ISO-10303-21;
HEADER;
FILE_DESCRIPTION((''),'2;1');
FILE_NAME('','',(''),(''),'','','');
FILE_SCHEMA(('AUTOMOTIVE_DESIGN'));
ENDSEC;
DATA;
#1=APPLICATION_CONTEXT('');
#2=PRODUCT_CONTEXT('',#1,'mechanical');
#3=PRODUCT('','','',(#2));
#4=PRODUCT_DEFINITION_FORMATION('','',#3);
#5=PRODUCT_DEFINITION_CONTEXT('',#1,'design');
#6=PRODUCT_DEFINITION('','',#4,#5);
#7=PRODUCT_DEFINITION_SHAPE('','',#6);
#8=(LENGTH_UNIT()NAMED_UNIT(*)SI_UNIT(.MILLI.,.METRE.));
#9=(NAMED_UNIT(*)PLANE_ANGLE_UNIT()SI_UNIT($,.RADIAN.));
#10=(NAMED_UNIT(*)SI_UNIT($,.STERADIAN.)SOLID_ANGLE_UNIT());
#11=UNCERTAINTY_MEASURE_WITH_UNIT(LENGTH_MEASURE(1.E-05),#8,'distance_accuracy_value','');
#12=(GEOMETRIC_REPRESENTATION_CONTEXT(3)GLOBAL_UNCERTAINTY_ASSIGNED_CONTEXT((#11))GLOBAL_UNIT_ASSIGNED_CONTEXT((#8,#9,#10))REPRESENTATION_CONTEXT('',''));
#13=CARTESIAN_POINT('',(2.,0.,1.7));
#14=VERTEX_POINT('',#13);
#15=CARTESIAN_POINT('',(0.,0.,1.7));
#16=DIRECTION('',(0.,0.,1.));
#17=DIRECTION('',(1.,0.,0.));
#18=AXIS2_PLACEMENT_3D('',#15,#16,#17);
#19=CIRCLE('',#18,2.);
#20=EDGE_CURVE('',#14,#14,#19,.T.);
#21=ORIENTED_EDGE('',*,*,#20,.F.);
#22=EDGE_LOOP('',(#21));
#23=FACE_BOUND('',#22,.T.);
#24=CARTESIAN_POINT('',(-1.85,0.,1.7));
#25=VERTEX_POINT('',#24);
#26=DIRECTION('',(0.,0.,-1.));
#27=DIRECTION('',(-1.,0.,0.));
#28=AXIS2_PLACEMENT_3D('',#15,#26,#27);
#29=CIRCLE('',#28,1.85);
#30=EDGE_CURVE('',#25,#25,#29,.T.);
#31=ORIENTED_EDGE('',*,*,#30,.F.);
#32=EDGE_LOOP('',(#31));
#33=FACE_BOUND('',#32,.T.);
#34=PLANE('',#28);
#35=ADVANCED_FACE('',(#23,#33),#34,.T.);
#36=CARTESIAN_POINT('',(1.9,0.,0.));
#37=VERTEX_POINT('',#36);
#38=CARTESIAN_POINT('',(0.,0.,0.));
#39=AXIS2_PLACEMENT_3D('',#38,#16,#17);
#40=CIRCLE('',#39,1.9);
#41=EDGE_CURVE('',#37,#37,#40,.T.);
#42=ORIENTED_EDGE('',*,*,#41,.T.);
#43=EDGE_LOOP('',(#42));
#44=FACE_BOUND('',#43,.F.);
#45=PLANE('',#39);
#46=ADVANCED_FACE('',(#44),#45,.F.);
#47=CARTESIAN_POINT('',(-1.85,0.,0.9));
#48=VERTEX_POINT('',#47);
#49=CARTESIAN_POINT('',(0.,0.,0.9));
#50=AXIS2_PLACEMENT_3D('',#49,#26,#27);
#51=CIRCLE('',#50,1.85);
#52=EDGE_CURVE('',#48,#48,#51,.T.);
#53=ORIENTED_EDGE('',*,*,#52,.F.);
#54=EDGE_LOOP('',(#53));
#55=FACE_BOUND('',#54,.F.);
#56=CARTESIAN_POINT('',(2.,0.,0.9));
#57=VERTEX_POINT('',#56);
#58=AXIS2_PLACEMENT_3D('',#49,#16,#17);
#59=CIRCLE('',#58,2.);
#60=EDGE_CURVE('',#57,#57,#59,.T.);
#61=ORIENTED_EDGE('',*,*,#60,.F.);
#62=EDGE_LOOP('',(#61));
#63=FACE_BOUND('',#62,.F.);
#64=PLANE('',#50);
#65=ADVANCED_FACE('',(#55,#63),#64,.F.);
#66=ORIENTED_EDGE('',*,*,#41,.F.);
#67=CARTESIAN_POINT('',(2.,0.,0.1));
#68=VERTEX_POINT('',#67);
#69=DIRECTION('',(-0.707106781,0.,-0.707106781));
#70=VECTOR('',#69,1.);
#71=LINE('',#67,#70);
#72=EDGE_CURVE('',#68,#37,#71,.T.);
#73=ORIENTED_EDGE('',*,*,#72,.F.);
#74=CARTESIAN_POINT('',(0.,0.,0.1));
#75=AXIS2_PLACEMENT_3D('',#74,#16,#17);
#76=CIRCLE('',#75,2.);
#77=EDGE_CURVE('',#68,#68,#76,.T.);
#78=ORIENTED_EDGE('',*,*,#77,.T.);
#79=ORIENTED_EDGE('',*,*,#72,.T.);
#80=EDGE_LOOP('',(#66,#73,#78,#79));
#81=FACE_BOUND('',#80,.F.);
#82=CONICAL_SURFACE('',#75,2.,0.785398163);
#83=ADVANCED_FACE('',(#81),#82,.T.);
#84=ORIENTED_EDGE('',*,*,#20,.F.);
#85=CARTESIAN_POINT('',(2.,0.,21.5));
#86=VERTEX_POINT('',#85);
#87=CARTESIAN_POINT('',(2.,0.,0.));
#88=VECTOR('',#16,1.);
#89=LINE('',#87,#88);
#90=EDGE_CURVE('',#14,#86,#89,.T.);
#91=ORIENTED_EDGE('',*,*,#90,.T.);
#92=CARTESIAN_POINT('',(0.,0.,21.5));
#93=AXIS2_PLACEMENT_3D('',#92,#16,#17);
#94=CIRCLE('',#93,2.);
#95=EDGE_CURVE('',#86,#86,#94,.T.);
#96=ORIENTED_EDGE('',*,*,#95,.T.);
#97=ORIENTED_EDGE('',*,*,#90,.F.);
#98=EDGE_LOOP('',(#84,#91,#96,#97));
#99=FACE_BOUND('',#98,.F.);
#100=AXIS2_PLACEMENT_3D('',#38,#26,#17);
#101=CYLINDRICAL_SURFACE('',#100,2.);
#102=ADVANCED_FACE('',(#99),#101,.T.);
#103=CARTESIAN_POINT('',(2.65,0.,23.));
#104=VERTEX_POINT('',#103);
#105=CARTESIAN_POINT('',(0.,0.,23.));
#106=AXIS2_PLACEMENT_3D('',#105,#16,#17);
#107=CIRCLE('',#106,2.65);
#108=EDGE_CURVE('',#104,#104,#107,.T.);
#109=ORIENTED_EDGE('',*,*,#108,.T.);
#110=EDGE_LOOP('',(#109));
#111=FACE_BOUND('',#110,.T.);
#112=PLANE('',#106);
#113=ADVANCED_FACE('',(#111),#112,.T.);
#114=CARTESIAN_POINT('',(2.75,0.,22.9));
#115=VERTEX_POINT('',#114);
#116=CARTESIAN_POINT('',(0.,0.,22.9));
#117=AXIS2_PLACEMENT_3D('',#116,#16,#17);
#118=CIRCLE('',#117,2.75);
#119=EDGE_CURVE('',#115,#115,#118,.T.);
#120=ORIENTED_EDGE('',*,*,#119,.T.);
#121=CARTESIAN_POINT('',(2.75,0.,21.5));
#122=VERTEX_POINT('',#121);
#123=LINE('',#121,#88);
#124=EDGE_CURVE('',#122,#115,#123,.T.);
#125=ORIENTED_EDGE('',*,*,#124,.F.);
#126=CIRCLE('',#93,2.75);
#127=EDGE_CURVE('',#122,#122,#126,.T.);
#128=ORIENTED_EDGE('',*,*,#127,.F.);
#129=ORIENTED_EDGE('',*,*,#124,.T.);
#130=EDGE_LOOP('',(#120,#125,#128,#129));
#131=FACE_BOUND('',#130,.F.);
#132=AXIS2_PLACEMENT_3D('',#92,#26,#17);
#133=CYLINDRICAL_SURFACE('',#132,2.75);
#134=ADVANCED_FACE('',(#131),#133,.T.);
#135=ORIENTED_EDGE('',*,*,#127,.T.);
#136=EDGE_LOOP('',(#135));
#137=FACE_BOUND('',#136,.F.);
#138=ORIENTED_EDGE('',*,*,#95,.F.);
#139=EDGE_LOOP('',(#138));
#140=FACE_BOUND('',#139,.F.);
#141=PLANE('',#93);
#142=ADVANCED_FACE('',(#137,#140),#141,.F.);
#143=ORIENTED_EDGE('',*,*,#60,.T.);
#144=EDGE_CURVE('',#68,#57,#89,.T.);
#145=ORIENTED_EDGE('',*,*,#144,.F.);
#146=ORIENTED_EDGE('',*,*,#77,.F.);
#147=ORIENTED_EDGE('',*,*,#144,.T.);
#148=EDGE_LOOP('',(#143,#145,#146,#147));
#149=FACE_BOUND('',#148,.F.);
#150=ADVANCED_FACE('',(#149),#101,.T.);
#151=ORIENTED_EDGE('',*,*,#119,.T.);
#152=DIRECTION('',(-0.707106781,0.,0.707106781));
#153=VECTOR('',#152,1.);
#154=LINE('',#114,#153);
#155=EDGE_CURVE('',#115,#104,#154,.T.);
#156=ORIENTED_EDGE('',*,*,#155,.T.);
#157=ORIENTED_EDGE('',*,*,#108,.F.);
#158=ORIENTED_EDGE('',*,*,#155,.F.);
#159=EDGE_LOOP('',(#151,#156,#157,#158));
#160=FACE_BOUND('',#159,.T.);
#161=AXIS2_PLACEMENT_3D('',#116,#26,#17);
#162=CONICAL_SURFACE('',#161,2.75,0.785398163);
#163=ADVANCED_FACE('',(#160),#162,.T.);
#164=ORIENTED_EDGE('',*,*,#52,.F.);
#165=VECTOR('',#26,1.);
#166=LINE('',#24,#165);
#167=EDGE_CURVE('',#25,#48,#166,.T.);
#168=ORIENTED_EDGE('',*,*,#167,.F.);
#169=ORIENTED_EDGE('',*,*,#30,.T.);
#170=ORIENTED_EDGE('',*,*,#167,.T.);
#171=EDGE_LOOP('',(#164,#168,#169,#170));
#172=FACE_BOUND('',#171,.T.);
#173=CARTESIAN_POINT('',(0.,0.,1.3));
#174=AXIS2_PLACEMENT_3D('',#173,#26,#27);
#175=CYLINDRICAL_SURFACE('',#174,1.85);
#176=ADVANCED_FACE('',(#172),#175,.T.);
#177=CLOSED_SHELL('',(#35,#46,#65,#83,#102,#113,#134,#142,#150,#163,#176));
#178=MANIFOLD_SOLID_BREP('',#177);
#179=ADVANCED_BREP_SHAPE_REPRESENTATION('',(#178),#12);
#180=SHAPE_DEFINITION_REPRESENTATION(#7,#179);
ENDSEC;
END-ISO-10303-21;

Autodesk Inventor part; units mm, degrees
ref_plane "YZ Plane" through (0, 0, 0) normal (1, 0, 0) x (0, 1, 0)
ref_plane "XZ Plane" through (0, 0, 0) normal (0, 1, 0) x (-1, 0, 0)
sketch "Sketch1" plane through (0, 0, 0) normal (0, 0, 1) x (1, 0, 0)
  circle A0 centre (0, 0) radius 2
  dimension "d0" = 4
extrude "Extrusion1" add sketch "Sketch1" along normal blind 21.5
sketch "Sketch2" plane through (0, 0, 21.5) normal (0, 0, 1) x (1, 0, 0)
  circle A0 centre (0, 0) radius 2.75
  dimension "d3" = 5.5
extrude "Extrusion2" add sketch "Sketch2" along normal blind 1.5
ref_plane "Work Plane1" through (0, 0, 1.3) normal (0, 0, -1) x (-1, 0, 0)
sketch "Sketch3" plane through (0, 0, 1.3) normal (0, 0, -1) x (-1, 0, 0)
  circle A0 centre (0, 0) radius 2 projected
  circle A1 centre (0, 0) radius 1.85
  dimension "d7" = 3.7
extrude "Extrusion3" cut sketch "Sketch3" along normal mid plane 0.8
chamfer "Chamfer1" distance 0.1 angle 45 2 edges at (-2, 0, 0) (-2.75, 0, 23)
properties part number "roller pin" material "Aluminum 3003-H14"
